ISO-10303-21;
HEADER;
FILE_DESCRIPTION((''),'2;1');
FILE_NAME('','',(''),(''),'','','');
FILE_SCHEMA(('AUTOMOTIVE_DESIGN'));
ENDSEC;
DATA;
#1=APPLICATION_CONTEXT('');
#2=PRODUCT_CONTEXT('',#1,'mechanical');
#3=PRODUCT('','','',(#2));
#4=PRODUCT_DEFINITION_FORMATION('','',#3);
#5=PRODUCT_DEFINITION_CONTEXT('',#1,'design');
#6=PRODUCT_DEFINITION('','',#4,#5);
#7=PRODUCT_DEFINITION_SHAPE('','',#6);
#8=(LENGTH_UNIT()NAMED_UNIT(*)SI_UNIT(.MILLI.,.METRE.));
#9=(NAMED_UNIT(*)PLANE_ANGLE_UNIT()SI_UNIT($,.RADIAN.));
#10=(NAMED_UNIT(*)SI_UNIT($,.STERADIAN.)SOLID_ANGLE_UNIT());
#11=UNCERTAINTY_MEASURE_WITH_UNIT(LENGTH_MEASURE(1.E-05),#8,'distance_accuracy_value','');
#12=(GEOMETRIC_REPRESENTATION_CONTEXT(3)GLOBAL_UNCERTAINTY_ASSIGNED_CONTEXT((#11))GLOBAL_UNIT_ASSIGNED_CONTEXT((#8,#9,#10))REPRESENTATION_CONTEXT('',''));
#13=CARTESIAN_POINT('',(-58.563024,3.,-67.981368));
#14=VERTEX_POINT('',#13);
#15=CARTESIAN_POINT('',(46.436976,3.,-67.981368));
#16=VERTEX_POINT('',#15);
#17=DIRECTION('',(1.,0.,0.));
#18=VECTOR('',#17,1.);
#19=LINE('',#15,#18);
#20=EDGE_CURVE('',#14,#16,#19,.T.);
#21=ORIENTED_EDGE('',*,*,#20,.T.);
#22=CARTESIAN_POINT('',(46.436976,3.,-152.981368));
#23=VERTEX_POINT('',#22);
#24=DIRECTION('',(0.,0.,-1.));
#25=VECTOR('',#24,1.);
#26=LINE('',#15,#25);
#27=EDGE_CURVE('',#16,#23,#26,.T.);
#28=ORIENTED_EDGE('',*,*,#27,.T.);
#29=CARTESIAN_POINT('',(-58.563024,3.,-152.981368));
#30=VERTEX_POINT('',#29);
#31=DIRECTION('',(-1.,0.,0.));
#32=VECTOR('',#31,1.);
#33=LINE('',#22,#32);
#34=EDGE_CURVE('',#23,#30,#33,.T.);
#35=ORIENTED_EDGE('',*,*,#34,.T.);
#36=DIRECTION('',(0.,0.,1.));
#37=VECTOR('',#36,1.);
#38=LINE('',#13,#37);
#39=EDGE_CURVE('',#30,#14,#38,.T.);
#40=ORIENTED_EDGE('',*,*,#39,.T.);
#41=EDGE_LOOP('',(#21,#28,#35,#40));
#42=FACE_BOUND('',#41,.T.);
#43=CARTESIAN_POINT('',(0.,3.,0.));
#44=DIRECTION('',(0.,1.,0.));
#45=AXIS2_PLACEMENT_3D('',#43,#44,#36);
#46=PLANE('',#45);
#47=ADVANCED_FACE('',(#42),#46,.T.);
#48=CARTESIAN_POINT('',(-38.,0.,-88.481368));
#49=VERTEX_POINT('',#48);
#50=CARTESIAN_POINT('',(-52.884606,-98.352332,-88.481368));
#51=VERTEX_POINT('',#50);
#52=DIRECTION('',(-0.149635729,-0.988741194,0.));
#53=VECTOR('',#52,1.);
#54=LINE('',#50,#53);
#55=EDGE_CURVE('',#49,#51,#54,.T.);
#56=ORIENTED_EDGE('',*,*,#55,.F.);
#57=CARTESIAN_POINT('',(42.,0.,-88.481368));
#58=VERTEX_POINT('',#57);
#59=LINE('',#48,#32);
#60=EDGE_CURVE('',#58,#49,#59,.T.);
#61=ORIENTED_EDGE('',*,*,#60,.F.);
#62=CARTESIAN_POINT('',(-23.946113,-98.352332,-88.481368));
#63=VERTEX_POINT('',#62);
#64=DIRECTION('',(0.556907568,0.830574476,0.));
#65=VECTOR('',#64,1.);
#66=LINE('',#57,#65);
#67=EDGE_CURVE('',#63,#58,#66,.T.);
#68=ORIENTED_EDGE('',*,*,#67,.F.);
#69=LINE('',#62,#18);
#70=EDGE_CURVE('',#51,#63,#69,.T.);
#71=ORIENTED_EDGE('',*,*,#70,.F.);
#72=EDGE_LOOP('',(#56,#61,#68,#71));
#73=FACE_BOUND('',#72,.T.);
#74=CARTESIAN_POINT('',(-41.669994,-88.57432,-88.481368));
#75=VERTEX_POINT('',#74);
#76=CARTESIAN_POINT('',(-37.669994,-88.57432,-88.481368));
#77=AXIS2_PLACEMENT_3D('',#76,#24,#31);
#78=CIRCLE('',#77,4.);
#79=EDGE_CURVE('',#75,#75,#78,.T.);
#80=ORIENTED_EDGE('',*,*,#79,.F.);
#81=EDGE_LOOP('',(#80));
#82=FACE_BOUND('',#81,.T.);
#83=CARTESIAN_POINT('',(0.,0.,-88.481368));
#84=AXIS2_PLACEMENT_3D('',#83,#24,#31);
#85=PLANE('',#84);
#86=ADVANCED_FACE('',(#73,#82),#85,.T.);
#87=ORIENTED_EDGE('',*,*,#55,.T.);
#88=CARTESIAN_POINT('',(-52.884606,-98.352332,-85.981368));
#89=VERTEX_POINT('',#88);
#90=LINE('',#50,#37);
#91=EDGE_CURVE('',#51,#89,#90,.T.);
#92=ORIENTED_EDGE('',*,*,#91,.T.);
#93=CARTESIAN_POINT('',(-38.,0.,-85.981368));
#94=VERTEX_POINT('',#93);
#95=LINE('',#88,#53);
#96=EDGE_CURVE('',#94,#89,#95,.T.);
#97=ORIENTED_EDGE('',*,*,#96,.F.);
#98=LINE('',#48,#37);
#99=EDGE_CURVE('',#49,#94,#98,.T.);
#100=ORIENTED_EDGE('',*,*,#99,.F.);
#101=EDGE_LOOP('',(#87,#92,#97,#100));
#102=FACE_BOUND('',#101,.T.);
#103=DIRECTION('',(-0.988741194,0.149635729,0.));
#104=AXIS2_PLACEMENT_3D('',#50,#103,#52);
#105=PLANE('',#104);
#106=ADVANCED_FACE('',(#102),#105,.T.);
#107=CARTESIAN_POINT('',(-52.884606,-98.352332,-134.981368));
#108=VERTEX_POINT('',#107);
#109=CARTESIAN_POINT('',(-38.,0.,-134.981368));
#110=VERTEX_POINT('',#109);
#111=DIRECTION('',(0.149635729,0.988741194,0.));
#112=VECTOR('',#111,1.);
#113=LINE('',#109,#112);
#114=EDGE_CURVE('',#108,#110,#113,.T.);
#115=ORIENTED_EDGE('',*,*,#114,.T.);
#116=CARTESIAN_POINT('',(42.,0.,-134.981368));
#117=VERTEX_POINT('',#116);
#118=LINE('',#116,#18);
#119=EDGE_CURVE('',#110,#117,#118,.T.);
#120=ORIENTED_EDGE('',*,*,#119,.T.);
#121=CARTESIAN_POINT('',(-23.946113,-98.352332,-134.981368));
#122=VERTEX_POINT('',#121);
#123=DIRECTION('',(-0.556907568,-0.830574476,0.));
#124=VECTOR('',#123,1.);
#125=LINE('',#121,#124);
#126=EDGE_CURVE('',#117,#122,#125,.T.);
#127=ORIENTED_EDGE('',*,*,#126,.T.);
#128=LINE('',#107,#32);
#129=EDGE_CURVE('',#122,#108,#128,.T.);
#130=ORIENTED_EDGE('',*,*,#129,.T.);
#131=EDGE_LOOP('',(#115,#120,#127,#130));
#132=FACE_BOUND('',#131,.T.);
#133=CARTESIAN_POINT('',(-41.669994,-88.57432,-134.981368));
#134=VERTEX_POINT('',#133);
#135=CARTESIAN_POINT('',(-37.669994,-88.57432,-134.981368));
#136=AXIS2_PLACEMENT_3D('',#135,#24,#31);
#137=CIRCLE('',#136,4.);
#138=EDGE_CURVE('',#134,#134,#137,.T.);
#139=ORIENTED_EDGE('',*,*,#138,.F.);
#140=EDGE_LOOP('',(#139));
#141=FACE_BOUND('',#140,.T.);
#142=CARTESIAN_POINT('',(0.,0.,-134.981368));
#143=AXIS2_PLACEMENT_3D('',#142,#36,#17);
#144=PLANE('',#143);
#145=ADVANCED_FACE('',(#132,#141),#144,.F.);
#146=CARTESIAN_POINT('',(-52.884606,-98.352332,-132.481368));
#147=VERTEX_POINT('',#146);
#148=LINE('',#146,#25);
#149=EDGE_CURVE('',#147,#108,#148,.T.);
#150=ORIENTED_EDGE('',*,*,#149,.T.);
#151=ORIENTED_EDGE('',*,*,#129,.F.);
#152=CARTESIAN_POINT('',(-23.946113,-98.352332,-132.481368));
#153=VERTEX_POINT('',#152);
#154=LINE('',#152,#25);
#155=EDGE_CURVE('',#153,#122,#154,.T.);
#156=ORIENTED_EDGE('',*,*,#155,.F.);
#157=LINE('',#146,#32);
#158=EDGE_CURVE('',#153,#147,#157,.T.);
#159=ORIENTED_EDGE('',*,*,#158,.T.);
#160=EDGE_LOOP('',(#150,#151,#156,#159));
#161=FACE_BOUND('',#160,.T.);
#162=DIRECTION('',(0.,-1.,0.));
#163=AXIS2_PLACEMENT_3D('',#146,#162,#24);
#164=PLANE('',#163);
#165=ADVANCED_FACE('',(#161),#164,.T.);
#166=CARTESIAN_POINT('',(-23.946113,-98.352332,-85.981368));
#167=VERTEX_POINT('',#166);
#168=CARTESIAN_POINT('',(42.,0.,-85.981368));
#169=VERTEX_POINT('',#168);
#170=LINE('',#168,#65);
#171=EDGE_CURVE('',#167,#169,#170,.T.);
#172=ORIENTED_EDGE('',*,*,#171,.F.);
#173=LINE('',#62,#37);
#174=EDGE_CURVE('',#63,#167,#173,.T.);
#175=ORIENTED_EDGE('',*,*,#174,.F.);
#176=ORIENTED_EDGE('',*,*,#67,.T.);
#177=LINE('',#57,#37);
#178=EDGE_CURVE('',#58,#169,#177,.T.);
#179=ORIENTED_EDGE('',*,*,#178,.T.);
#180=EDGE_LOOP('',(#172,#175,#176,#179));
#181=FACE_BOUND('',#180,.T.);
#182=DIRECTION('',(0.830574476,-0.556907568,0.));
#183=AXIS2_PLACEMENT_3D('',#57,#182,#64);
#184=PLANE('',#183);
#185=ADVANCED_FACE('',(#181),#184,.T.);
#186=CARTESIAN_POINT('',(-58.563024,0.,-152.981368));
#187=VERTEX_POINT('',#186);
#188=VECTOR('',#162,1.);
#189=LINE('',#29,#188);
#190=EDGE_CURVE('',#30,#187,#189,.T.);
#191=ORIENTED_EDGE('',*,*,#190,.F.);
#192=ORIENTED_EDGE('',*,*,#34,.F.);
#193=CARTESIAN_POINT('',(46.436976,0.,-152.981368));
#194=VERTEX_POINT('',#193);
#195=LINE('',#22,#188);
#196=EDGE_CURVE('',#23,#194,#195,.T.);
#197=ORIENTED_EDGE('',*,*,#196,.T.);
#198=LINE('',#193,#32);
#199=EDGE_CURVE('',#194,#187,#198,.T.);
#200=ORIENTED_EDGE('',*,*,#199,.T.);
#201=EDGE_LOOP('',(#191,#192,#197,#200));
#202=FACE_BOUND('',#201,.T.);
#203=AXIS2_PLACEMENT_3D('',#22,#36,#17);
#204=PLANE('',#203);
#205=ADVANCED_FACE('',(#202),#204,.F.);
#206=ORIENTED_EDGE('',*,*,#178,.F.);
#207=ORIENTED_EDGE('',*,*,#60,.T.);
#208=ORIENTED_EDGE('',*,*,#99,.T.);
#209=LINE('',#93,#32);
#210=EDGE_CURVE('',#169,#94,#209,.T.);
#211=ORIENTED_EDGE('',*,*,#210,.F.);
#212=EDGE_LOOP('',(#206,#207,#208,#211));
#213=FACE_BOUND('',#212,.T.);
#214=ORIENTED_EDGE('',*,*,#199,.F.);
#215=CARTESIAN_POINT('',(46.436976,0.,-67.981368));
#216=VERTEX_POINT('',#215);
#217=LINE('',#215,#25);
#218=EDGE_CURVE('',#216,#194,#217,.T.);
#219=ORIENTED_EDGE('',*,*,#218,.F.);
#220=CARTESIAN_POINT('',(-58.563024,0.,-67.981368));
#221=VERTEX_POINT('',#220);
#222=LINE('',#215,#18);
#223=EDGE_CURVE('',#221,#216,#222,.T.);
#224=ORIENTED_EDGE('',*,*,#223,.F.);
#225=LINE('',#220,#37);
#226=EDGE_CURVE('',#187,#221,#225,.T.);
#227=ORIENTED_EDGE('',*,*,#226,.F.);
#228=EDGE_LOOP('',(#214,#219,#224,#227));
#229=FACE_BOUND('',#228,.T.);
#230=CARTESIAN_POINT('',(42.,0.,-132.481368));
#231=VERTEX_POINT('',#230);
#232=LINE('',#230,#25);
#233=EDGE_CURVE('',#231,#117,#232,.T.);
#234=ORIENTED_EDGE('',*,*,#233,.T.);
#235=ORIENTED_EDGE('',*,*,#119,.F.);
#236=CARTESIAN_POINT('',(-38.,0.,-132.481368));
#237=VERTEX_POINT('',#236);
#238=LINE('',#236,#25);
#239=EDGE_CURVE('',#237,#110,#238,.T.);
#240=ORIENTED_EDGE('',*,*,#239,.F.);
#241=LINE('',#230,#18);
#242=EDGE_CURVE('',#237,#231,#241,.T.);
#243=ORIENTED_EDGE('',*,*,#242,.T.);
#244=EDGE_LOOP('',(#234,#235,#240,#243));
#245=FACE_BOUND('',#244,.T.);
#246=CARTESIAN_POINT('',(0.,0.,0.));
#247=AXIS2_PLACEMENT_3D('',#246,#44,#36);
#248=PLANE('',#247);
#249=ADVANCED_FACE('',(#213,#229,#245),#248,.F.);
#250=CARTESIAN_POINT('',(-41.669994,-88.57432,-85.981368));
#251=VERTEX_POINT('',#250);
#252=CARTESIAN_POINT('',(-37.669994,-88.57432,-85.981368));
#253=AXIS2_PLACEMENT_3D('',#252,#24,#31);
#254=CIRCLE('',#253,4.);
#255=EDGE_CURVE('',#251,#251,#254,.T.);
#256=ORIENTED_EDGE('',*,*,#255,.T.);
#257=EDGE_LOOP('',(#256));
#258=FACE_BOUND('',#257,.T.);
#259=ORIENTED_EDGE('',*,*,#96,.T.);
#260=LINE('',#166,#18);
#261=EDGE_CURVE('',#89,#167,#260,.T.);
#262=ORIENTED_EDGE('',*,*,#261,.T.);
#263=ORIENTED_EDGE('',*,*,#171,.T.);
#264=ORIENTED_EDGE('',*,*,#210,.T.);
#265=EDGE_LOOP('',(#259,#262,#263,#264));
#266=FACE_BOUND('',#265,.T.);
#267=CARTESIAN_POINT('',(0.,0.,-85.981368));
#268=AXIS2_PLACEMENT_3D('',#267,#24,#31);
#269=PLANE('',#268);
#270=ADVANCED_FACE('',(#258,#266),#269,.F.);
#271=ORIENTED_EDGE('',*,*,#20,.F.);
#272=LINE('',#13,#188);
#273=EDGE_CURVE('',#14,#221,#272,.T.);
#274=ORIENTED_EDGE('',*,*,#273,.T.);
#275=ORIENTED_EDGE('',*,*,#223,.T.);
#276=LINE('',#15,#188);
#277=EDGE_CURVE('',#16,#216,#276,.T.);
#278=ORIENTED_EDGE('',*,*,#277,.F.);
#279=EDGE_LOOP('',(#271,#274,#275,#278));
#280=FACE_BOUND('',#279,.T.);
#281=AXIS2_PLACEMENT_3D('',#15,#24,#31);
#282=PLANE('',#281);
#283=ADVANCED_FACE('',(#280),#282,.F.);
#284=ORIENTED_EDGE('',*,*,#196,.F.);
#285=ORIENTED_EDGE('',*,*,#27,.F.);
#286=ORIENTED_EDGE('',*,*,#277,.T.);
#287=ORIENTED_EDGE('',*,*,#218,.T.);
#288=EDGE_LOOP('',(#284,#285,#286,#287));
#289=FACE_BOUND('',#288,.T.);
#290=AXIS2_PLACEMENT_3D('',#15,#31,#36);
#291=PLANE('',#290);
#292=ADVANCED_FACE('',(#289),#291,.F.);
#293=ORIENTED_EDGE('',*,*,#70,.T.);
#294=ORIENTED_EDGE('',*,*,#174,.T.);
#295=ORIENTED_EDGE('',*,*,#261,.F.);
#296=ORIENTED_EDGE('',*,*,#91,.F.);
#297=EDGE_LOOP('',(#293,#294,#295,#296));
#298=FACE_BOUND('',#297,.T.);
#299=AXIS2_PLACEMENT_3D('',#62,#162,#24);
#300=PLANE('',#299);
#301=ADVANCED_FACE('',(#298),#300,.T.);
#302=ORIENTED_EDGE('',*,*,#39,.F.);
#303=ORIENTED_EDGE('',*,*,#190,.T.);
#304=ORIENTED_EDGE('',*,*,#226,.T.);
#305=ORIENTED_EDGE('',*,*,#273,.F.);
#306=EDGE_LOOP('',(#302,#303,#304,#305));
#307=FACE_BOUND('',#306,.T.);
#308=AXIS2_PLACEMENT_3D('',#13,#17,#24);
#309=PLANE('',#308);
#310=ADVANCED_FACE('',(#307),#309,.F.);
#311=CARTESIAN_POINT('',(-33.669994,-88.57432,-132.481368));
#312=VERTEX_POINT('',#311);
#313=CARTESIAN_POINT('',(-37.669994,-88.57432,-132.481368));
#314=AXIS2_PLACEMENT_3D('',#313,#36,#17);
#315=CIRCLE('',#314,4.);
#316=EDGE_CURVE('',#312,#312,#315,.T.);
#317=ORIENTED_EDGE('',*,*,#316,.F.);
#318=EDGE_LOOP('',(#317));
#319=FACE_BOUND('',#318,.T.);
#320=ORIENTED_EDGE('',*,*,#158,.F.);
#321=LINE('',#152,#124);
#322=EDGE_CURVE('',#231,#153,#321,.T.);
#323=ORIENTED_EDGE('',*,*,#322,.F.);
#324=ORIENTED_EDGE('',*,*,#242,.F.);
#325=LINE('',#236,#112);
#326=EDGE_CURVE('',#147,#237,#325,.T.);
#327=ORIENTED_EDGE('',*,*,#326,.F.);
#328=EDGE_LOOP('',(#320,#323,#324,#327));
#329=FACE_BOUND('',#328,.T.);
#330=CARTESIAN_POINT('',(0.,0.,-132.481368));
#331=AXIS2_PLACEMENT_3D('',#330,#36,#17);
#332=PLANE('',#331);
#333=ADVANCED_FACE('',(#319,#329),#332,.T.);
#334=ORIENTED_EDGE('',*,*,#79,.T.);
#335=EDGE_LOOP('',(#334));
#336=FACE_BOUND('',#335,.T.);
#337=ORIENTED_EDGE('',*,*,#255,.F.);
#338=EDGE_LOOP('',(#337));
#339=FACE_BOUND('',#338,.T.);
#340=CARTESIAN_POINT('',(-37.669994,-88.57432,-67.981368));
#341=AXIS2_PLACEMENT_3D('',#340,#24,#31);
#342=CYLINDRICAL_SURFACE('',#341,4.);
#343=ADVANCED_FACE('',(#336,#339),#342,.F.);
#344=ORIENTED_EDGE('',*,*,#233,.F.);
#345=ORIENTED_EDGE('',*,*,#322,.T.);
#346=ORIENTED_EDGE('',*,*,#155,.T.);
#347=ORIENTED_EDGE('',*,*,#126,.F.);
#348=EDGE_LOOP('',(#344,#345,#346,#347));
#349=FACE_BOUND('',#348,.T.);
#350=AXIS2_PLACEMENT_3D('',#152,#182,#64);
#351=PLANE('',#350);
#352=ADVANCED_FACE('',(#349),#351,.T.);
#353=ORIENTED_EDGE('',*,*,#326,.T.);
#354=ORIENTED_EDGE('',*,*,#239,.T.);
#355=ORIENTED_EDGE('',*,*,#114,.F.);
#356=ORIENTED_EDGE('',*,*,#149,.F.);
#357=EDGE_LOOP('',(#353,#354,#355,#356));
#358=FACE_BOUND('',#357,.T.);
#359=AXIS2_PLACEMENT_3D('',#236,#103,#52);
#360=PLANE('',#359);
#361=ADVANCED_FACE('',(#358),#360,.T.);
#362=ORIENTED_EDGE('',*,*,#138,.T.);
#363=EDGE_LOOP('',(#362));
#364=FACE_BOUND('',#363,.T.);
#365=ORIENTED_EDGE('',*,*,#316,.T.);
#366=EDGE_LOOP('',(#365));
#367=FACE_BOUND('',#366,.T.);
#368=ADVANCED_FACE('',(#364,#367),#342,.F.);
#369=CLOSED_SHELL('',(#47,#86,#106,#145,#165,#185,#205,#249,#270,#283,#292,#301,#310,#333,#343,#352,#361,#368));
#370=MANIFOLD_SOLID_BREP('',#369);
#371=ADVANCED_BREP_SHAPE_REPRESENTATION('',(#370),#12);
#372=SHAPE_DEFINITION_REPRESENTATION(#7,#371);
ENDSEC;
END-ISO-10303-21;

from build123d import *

# Parameters (mm, degrees)
SKETCH1_W           = 105
SKETCH1_H           = 85
BOSS_EXTRUDE1_DEPTH = 3
BOSS_EXTRUDE3_DEPTH = 2.5
BOSS_EXTRUDE2_DEPTH = 2.5
SKETCH4_R           = 4
CUT_EXTRUDE1_DEPTH  = 133.63411713


with BuildPart() as part:
    # Sketch1 → Boss-Extrude1 (new body)
    with BuildSketch(Plane(origin=(0, 0, 0), x_dir=(1, 0, 0), z_dir=(0, 1, 0))):
        with Locations((-6.063023564, 110.481367852)):
            Rectangle(SKETCH1_W, SKETCH1_H)
    extrude(amount=BOSS_EXTRUDE1_DEPTH)

    # Sketch3 → Boss-Extrude3 (add)
    with BuildSketch(Plane.XY.offset(-85.981367852)):
        Polygon((-38, 0), (42, 0), (-23.946113063, -98.352332448), (-52.884605872, -98.352332448), align=None)
    extrude(amount=-BOSS_EXTRUDE3_DEPTH)

    # Sketch2 → Boss-Extrude2 (add)
    with BuildSketch(Plane(origin=(0, 0, -134.981367852), x_dir=(-1, 0, 0), z_dir=(0, 0, -1))):
        Polygon((38, 0), (52.884605872, -98.352332448), (23.946113063, -98.352332448), (-42, 0), align=None)
    extrude(amount=-BOSS_EXTRUDE2_DEPTH)

    # Sketch4 → Cut-Extrude1 (cut, through all)
    with BuildSketch(Plane(origin=(0, 0, -134.981367852), x_dir=(-1, 0, 0), z_dir=(0, 0, -1))):
        with Locations((37.669993982, -88.574319881)):
            Circle(SKETCH4_R)
    extrude(amount=-CUT_EXTRUDE1_DEPTH, mode=Mode.SUBTRACT)


solid = part.part
